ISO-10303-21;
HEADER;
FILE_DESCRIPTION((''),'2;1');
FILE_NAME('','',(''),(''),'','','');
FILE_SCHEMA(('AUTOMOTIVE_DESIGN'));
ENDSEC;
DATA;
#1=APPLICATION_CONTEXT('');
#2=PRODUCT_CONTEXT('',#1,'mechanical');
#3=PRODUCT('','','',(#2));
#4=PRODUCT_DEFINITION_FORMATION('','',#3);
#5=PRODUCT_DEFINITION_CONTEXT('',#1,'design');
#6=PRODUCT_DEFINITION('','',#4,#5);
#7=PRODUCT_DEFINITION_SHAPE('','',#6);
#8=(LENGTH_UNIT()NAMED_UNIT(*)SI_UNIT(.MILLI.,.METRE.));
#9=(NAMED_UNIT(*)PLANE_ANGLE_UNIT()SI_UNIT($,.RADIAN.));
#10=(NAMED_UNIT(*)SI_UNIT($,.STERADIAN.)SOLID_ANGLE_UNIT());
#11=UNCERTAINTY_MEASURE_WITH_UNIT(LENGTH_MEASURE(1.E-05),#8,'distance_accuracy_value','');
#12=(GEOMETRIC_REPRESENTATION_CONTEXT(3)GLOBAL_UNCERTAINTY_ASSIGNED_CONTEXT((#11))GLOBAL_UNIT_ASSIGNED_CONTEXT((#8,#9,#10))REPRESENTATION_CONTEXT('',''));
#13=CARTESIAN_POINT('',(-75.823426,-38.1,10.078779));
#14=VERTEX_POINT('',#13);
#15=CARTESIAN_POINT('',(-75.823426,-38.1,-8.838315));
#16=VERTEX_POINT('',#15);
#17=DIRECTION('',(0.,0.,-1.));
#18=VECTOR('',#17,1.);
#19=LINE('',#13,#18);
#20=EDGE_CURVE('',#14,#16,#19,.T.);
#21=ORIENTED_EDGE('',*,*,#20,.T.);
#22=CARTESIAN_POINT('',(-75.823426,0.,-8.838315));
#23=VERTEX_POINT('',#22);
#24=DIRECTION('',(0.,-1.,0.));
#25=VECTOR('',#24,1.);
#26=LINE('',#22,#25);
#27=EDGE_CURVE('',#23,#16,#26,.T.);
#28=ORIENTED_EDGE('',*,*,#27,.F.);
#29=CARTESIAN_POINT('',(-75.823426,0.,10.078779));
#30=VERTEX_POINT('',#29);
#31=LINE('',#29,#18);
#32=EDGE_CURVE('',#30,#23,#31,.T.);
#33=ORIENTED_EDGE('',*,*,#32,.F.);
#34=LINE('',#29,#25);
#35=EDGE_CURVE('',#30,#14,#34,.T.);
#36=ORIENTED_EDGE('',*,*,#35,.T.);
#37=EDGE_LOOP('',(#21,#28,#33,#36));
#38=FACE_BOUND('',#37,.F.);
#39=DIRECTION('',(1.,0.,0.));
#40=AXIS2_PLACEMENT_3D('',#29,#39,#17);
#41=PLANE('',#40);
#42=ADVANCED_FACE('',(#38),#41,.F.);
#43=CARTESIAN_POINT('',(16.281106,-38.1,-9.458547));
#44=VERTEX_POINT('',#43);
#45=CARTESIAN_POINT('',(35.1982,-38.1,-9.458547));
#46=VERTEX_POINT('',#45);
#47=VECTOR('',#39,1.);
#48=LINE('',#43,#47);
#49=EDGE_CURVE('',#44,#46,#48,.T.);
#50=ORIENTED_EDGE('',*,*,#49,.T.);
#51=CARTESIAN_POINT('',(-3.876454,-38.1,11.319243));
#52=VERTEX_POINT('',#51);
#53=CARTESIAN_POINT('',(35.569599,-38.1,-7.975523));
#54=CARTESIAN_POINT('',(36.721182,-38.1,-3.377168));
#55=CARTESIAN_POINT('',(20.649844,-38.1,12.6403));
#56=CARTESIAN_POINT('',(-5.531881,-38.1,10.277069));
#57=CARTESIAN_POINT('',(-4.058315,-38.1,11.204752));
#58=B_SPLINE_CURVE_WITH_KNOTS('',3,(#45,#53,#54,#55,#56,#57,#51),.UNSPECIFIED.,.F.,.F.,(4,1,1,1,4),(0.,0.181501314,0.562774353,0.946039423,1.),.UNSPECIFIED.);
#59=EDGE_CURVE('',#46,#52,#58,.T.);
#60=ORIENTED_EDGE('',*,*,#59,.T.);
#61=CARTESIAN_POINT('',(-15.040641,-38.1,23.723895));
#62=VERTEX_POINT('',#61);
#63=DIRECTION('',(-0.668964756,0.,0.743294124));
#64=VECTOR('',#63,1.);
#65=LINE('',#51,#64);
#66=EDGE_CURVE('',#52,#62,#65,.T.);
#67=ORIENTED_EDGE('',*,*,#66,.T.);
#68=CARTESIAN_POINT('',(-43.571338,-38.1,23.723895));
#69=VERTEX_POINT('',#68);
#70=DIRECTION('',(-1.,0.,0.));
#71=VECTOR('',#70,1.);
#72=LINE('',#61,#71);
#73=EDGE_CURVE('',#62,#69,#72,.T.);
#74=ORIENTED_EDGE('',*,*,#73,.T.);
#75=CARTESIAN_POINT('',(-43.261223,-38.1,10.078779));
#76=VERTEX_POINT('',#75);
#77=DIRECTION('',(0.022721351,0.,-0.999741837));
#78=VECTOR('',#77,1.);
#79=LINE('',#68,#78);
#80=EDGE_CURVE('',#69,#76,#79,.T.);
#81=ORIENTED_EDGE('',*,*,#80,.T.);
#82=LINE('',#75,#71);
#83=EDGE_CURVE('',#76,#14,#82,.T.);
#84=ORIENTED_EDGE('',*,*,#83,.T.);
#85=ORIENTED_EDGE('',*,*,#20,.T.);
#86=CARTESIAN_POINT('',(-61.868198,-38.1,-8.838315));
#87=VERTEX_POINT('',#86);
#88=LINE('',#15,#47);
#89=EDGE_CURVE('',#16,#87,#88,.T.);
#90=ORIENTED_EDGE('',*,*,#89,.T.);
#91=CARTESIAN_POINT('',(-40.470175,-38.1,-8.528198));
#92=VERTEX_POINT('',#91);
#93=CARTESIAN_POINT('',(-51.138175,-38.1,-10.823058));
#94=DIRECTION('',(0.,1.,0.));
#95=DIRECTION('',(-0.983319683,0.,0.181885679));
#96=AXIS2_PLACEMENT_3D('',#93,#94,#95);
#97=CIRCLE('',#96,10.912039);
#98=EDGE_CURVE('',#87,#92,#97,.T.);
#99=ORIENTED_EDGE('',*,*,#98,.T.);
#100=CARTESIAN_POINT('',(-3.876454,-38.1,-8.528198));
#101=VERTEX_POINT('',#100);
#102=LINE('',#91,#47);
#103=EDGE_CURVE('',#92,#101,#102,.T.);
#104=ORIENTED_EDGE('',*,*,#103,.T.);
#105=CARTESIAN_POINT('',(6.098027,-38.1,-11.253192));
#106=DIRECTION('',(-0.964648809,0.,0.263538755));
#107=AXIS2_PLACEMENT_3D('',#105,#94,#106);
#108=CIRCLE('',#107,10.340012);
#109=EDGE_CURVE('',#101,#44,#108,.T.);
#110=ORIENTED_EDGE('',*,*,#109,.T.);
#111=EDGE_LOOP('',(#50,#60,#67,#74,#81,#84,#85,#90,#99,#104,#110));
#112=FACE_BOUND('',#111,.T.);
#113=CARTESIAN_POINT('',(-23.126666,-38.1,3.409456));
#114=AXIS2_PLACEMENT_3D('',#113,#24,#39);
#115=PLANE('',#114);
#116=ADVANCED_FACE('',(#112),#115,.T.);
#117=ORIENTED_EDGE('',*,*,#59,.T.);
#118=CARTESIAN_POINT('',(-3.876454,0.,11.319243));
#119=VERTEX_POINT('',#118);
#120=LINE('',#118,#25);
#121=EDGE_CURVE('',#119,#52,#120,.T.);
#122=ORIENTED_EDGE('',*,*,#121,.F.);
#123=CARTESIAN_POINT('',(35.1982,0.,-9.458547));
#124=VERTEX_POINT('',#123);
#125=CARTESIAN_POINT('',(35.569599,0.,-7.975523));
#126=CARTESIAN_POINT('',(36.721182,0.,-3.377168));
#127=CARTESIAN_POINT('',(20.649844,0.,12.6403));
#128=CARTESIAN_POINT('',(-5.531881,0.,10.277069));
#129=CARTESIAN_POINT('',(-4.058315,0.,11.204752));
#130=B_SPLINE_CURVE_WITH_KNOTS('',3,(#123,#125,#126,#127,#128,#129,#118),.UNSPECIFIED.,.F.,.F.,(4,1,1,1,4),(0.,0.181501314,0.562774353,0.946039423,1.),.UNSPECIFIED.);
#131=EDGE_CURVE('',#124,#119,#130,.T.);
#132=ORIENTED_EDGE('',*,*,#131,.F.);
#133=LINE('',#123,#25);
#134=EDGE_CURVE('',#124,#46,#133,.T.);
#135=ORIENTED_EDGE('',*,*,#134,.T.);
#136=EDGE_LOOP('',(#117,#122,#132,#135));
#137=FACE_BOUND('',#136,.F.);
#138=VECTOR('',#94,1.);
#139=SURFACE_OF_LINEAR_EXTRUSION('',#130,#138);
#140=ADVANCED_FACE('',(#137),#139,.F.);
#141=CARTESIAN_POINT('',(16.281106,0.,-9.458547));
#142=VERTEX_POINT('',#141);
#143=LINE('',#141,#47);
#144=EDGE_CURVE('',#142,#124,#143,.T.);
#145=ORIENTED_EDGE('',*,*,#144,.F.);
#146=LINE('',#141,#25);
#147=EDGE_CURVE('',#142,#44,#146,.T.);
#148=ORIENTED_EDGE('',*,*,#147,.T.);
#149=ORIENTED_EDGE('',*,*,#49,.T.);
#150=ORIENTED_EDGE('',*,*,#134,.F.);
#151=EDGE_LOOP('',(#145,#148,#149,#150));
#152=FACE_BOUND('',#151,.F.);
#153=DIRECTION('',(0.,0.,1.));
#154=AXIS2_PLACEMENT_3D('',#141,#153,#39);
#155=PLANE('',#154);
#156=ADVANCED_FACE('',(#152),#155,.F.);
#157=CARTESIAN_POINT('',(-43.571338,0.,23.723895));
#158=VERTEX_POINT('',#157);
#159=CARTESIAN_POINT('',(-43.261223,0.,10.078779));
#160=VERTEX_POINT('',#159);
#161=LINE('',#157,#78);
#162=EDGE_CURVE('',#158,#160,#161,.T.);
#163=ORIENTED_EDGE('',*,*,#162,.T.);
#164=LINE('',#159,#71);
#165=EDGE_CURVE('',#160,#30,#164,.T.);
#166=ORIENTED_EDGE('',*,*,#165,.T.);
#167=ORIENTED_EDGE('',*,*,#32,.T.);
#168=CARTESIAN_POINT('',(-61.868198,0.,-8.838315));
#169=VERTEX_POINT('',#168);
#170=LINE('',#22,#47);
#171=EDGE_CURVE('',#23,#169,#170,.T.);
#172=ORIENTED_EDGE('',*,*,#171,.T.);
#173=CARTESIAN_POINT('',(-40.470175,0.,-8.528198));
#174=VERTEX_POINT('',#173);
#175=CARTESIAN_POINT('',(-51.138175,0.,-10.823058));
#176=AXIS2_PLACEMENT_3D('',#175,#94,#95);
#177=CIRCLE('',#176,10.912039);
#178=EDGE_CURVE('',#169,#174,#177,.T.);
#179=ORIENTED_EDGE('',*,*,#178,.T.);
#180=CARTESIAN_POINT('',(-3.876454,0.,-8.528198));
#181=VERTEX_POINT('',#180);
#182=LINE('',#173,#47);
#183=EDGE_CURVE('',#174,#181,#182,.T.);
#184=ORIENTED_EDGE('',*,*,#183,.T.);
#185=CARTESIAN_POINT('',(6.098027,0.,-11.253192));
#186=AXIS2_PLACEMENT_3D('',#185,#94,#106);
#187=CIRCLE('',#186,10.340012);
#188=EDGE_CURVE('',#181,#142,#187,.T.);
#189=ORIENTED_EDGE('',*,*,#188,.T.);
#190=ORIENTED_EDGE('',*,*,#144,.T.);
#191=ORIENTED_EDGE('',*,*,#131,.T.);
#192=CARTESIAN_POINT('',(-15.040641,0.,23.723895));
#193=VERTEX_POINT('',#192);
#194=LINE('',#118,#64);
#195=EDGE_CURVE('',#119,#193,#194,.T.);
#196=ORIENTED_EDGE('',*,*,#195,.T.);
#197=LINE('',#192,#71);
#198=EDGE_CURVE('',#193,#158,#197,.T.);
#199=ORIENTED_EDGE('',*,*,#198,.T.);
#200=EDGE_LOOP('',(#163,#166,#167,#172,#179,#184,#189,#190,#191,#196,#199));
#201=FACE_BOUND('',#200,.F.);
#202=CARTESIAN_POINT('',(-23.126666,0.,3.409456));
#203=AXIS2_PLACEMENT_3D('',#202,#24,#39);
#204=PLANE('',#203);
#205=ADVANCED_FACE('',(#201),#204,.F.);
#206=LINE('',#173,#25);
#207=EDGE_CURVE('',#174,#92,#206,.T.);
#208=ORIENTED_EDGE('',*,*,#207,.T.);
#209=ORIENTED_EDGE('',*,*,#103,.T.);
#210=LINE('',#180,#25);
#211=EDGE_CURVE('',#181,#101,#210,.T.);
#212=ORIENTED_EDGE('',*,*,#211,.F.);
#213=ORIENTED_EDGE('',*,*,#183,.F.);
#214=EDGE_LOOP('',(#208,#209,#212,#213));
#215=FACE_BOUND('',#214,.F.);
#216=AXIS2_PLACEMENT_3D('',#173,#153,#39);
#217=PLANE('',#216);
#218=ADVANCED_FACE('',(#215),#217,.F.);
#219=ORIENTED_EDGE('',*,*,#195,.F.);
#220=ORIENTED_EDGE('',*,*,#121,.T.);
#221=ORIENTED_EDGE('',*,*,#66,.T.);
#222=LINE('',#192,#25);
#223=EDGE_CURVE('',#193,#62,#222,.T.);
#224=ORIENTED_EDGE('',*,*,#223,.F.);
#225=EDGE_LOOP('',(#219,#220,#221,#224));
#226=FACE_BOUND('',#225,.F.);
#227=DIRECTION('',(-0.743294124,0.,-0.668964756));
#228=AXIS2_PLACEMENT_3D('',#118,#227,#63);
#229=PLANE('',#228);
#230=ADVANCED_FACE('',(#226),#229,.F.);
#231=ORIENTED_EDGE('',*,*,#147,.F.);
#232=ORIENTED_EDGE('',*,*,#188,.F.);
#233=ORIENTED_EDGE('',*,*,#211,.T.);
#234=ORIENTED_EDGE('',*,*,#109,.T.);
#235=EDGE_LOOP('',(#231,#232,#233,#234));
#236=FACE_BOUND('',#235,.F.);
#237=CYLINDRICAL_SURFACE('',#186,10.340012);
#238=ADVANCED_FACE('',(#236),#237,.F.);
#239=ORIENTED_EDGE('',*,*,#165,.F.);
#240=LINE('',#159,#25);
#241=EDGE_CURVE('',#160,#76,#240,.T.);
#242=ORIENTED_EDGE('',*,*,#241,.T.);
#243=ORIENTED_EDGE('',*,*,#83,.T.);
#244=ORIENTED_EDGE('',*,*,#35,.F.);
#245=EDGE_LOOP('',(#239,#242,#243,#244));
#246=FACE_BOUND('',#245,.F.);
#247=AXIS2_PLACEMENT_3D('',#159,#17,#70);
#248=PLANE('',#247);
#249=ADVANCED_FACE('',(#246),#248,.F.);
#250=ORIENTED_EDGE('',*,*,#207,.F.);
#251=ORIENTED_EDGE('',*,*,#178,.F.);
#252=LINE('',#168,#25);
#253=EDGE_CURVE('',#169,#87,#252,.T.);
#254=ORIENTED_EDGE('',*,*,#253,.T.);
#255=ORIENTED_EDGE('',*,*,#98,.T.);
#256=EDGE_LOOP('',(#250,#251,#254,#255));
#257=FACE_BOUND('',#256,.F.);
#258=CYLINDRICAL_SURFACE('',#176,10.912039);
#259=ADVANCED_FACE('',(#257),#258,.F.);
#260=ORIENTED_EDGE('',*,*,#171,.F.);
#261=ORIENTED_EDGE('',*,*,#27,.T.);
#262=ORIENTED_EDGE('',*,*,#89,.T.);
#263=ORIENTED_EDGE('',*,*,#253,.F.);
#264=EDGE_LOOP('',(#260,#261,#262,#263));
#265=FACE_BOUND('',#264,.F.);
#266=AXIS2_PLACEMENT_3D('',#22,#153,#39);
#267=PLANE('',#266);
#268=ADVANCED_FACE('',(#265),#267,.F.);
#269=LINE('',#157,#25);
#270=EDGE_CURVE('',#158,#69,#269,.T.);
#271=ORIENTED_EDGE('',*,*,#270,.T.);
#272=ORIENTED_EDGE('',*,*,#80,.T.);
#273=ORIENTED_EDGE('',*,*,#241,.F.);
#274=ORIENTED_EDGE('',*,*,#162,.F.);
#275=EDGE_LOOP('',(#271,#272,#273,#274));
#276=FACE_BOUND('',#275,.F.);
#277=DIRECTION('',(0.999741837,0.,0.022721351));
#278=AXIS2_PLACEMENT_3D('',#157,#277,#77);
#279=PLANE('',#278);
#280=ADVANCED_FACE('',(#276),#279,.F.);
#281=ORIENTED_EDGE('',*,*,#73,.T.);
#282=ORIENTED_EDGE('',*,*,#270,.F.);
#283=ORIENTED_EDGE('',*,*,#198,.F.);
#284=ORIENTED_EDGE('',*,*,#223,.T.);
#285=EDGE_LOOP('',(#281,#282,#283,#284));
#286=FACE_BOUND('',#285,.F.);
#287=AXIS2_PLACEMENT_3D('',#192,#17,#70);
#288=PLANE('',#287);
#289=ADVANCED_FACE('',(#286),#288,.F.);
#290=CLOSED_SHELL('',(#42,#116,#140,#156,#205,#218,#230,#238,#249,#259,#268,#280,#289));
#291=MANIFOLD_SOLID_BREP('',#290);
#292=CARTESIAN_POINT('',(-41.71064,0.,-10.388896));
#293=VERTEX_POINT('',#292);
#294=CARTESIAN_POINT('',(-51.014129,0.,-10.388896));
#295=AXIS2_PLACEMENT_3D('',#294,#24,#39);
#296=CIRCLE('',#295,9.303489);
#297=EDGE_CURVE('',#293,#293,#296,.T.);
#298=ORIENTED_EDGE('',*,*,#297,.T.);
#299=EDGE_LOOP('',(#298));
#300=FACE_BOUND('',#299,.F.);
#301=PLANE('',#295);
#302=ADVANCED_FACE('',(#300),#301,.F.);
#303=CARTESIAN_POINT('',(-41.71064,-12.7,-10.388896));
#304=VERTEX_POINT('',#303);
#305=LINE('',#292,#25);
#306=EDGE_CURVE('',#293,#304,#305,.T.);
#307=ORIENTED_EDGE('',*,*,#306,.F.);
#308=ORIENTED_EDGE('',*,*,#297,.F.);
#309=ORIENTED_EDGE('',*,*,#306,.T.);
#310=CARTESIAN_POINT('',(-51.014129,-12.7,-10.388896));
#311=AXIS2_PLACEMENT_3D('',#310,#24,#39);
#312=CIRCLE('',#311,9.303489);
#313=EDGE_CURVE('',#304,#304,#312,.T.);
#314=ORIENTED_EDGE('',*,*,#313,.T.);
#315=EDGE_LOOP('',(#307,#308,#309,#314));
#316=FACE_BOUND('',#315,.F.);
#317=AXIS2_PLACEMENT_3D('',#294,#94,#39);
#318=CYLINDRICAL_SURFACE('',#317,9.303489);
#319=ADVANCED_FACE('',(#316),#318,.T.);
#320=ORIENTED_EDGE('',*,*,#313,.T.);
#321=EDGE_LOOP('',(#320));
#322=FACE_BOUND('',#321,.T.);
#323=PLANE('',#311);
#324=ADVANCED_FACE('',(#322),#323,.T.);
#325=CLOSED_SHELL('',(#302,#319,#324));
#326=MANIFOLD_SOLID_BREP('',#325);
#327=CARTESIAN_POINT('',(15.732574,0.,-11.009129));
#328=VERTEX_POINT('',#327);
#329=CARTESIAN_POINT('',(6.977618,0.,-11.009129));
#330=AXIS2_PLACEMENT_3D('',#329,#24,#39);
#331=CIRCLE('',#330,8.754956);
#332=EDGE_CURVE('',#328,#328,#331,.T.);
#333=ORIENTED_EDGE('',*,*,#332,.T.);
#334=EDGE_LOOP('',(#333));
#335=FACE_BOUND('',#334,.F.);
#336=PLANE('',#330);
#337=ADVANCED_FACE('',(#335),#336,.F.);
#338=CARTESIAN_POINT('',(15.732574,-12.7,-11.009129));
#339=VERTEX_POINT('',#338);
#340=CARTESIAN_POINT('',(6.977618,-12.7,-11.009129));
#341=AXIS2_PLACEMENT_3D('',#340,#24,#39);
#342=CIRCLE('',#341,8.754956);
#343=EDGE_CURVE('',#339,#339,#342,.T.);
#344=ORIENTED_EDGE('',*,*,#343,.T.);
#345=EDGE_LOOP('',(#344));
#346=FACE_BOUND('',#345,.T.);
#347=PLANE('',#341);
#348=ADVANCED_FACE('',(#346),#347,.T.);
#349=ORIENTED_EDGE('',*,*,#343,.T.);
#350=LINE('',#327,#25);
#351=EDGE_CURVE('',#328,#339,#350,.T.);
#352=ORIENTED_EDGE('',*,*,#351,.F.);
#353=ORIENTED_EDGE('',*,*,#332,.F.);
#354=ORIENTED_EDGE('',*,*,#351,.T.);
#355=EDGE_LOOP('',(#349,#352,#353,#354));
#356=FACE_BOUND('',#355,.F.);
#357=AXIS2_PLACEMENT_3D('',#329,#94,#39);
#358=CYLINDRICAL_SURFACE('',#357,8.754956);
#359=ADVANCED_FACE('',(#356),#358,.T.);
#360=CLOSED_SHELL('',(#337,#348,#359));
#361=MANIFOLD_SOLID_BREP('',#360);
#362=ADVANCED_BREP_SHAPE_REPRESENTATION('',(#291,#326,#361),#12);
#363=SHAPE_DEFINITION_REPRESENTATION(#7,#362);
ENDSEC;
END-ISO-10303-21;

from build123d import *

# Parameters (mm, degrees)
F1_DEPTH = 38.1
F2_R     = 8.7549557155
F3_DEPTH = 12.7
F2_R_2   = 9.303489048


with BuildPart() as f1:
    # F0 (on Front) → F1 (new body)
    with BuildSketch(Plane.XZ):
        with BuildLine():
            Line((-43.2612225413, 10.0787794217), (-75.8234262466, 10.0787794217))
            Line((-75.8234262466, 10.0787794217), (-75.8234262466, -8.838314563))
            Line((-75.8234262466, -8.838314563), (-61.868198216, -8.838314563))
            ThreePointArc((-61.868198216, -8.838314563), (-51.2963041719, 0.0878352511), (-40.4701754451, -8.5281981155))
            Line((-40.4701754451, -8.5281981155), (-3.8764537312, -8.5281981155))
            ThreePointArc((-3.8764537312, -8.5281981155), (6.5747502044, -0.9241754014), (16.2811055779, -9.4585465267))
            Line((16.2811055779, -9.4585465267), (35.1982004941, -9.4585465267))
            add(Edge.make_bspline(
                [(35.1982004941, -9.4585465267), (35.5695992614, -7.9755231569), (36.7211815655, -3.3771679137), (20.6498439118, 12.6402998065), (-5.53188109, 10.2770687279), (-4.0583151347, 11.2047524666), (-3.8764537312, 11.3192433491)],
                knots=[0, 0, 0, 0, 0.1815013138, 0.5627743534, 0.9460394226, 1, 1, 1, 1], degree=3))
            Line((-3.8764537312, 11.3192433491), (-15.0406407192, 23.7238947302))
            Line((-15.0406407192, 23.7238947302), (-43.5713380575, 23.7238947302))
            Line((-43.5713380575, 23.7238947302), (-43.2612225413, 10.0787794217))
        make_face()
    extrude(amount=F1_DEPTH)


with BuildPart() as f3:
    # F2 (on Front) → F3 (new body)
    with BuildSketch(Plane.XZ):
        with Locations((6.9776182063, -11.0091287643)):
            Circle(F2_R)
    extrude(amount=F3_DEPTH)


with BuildPart() as f3b:
    # F2 (on Front) → F3, piece 2 (new body)
    with BuildSketch(Plane.XZ):
        with Locations((-51.0141290724, -10.3888958693)):
            Circle(F2_R_2)
    extrude(amount=F3_DEPTH)


solid = Compound([f1.part, f3.part, f3b.part])
